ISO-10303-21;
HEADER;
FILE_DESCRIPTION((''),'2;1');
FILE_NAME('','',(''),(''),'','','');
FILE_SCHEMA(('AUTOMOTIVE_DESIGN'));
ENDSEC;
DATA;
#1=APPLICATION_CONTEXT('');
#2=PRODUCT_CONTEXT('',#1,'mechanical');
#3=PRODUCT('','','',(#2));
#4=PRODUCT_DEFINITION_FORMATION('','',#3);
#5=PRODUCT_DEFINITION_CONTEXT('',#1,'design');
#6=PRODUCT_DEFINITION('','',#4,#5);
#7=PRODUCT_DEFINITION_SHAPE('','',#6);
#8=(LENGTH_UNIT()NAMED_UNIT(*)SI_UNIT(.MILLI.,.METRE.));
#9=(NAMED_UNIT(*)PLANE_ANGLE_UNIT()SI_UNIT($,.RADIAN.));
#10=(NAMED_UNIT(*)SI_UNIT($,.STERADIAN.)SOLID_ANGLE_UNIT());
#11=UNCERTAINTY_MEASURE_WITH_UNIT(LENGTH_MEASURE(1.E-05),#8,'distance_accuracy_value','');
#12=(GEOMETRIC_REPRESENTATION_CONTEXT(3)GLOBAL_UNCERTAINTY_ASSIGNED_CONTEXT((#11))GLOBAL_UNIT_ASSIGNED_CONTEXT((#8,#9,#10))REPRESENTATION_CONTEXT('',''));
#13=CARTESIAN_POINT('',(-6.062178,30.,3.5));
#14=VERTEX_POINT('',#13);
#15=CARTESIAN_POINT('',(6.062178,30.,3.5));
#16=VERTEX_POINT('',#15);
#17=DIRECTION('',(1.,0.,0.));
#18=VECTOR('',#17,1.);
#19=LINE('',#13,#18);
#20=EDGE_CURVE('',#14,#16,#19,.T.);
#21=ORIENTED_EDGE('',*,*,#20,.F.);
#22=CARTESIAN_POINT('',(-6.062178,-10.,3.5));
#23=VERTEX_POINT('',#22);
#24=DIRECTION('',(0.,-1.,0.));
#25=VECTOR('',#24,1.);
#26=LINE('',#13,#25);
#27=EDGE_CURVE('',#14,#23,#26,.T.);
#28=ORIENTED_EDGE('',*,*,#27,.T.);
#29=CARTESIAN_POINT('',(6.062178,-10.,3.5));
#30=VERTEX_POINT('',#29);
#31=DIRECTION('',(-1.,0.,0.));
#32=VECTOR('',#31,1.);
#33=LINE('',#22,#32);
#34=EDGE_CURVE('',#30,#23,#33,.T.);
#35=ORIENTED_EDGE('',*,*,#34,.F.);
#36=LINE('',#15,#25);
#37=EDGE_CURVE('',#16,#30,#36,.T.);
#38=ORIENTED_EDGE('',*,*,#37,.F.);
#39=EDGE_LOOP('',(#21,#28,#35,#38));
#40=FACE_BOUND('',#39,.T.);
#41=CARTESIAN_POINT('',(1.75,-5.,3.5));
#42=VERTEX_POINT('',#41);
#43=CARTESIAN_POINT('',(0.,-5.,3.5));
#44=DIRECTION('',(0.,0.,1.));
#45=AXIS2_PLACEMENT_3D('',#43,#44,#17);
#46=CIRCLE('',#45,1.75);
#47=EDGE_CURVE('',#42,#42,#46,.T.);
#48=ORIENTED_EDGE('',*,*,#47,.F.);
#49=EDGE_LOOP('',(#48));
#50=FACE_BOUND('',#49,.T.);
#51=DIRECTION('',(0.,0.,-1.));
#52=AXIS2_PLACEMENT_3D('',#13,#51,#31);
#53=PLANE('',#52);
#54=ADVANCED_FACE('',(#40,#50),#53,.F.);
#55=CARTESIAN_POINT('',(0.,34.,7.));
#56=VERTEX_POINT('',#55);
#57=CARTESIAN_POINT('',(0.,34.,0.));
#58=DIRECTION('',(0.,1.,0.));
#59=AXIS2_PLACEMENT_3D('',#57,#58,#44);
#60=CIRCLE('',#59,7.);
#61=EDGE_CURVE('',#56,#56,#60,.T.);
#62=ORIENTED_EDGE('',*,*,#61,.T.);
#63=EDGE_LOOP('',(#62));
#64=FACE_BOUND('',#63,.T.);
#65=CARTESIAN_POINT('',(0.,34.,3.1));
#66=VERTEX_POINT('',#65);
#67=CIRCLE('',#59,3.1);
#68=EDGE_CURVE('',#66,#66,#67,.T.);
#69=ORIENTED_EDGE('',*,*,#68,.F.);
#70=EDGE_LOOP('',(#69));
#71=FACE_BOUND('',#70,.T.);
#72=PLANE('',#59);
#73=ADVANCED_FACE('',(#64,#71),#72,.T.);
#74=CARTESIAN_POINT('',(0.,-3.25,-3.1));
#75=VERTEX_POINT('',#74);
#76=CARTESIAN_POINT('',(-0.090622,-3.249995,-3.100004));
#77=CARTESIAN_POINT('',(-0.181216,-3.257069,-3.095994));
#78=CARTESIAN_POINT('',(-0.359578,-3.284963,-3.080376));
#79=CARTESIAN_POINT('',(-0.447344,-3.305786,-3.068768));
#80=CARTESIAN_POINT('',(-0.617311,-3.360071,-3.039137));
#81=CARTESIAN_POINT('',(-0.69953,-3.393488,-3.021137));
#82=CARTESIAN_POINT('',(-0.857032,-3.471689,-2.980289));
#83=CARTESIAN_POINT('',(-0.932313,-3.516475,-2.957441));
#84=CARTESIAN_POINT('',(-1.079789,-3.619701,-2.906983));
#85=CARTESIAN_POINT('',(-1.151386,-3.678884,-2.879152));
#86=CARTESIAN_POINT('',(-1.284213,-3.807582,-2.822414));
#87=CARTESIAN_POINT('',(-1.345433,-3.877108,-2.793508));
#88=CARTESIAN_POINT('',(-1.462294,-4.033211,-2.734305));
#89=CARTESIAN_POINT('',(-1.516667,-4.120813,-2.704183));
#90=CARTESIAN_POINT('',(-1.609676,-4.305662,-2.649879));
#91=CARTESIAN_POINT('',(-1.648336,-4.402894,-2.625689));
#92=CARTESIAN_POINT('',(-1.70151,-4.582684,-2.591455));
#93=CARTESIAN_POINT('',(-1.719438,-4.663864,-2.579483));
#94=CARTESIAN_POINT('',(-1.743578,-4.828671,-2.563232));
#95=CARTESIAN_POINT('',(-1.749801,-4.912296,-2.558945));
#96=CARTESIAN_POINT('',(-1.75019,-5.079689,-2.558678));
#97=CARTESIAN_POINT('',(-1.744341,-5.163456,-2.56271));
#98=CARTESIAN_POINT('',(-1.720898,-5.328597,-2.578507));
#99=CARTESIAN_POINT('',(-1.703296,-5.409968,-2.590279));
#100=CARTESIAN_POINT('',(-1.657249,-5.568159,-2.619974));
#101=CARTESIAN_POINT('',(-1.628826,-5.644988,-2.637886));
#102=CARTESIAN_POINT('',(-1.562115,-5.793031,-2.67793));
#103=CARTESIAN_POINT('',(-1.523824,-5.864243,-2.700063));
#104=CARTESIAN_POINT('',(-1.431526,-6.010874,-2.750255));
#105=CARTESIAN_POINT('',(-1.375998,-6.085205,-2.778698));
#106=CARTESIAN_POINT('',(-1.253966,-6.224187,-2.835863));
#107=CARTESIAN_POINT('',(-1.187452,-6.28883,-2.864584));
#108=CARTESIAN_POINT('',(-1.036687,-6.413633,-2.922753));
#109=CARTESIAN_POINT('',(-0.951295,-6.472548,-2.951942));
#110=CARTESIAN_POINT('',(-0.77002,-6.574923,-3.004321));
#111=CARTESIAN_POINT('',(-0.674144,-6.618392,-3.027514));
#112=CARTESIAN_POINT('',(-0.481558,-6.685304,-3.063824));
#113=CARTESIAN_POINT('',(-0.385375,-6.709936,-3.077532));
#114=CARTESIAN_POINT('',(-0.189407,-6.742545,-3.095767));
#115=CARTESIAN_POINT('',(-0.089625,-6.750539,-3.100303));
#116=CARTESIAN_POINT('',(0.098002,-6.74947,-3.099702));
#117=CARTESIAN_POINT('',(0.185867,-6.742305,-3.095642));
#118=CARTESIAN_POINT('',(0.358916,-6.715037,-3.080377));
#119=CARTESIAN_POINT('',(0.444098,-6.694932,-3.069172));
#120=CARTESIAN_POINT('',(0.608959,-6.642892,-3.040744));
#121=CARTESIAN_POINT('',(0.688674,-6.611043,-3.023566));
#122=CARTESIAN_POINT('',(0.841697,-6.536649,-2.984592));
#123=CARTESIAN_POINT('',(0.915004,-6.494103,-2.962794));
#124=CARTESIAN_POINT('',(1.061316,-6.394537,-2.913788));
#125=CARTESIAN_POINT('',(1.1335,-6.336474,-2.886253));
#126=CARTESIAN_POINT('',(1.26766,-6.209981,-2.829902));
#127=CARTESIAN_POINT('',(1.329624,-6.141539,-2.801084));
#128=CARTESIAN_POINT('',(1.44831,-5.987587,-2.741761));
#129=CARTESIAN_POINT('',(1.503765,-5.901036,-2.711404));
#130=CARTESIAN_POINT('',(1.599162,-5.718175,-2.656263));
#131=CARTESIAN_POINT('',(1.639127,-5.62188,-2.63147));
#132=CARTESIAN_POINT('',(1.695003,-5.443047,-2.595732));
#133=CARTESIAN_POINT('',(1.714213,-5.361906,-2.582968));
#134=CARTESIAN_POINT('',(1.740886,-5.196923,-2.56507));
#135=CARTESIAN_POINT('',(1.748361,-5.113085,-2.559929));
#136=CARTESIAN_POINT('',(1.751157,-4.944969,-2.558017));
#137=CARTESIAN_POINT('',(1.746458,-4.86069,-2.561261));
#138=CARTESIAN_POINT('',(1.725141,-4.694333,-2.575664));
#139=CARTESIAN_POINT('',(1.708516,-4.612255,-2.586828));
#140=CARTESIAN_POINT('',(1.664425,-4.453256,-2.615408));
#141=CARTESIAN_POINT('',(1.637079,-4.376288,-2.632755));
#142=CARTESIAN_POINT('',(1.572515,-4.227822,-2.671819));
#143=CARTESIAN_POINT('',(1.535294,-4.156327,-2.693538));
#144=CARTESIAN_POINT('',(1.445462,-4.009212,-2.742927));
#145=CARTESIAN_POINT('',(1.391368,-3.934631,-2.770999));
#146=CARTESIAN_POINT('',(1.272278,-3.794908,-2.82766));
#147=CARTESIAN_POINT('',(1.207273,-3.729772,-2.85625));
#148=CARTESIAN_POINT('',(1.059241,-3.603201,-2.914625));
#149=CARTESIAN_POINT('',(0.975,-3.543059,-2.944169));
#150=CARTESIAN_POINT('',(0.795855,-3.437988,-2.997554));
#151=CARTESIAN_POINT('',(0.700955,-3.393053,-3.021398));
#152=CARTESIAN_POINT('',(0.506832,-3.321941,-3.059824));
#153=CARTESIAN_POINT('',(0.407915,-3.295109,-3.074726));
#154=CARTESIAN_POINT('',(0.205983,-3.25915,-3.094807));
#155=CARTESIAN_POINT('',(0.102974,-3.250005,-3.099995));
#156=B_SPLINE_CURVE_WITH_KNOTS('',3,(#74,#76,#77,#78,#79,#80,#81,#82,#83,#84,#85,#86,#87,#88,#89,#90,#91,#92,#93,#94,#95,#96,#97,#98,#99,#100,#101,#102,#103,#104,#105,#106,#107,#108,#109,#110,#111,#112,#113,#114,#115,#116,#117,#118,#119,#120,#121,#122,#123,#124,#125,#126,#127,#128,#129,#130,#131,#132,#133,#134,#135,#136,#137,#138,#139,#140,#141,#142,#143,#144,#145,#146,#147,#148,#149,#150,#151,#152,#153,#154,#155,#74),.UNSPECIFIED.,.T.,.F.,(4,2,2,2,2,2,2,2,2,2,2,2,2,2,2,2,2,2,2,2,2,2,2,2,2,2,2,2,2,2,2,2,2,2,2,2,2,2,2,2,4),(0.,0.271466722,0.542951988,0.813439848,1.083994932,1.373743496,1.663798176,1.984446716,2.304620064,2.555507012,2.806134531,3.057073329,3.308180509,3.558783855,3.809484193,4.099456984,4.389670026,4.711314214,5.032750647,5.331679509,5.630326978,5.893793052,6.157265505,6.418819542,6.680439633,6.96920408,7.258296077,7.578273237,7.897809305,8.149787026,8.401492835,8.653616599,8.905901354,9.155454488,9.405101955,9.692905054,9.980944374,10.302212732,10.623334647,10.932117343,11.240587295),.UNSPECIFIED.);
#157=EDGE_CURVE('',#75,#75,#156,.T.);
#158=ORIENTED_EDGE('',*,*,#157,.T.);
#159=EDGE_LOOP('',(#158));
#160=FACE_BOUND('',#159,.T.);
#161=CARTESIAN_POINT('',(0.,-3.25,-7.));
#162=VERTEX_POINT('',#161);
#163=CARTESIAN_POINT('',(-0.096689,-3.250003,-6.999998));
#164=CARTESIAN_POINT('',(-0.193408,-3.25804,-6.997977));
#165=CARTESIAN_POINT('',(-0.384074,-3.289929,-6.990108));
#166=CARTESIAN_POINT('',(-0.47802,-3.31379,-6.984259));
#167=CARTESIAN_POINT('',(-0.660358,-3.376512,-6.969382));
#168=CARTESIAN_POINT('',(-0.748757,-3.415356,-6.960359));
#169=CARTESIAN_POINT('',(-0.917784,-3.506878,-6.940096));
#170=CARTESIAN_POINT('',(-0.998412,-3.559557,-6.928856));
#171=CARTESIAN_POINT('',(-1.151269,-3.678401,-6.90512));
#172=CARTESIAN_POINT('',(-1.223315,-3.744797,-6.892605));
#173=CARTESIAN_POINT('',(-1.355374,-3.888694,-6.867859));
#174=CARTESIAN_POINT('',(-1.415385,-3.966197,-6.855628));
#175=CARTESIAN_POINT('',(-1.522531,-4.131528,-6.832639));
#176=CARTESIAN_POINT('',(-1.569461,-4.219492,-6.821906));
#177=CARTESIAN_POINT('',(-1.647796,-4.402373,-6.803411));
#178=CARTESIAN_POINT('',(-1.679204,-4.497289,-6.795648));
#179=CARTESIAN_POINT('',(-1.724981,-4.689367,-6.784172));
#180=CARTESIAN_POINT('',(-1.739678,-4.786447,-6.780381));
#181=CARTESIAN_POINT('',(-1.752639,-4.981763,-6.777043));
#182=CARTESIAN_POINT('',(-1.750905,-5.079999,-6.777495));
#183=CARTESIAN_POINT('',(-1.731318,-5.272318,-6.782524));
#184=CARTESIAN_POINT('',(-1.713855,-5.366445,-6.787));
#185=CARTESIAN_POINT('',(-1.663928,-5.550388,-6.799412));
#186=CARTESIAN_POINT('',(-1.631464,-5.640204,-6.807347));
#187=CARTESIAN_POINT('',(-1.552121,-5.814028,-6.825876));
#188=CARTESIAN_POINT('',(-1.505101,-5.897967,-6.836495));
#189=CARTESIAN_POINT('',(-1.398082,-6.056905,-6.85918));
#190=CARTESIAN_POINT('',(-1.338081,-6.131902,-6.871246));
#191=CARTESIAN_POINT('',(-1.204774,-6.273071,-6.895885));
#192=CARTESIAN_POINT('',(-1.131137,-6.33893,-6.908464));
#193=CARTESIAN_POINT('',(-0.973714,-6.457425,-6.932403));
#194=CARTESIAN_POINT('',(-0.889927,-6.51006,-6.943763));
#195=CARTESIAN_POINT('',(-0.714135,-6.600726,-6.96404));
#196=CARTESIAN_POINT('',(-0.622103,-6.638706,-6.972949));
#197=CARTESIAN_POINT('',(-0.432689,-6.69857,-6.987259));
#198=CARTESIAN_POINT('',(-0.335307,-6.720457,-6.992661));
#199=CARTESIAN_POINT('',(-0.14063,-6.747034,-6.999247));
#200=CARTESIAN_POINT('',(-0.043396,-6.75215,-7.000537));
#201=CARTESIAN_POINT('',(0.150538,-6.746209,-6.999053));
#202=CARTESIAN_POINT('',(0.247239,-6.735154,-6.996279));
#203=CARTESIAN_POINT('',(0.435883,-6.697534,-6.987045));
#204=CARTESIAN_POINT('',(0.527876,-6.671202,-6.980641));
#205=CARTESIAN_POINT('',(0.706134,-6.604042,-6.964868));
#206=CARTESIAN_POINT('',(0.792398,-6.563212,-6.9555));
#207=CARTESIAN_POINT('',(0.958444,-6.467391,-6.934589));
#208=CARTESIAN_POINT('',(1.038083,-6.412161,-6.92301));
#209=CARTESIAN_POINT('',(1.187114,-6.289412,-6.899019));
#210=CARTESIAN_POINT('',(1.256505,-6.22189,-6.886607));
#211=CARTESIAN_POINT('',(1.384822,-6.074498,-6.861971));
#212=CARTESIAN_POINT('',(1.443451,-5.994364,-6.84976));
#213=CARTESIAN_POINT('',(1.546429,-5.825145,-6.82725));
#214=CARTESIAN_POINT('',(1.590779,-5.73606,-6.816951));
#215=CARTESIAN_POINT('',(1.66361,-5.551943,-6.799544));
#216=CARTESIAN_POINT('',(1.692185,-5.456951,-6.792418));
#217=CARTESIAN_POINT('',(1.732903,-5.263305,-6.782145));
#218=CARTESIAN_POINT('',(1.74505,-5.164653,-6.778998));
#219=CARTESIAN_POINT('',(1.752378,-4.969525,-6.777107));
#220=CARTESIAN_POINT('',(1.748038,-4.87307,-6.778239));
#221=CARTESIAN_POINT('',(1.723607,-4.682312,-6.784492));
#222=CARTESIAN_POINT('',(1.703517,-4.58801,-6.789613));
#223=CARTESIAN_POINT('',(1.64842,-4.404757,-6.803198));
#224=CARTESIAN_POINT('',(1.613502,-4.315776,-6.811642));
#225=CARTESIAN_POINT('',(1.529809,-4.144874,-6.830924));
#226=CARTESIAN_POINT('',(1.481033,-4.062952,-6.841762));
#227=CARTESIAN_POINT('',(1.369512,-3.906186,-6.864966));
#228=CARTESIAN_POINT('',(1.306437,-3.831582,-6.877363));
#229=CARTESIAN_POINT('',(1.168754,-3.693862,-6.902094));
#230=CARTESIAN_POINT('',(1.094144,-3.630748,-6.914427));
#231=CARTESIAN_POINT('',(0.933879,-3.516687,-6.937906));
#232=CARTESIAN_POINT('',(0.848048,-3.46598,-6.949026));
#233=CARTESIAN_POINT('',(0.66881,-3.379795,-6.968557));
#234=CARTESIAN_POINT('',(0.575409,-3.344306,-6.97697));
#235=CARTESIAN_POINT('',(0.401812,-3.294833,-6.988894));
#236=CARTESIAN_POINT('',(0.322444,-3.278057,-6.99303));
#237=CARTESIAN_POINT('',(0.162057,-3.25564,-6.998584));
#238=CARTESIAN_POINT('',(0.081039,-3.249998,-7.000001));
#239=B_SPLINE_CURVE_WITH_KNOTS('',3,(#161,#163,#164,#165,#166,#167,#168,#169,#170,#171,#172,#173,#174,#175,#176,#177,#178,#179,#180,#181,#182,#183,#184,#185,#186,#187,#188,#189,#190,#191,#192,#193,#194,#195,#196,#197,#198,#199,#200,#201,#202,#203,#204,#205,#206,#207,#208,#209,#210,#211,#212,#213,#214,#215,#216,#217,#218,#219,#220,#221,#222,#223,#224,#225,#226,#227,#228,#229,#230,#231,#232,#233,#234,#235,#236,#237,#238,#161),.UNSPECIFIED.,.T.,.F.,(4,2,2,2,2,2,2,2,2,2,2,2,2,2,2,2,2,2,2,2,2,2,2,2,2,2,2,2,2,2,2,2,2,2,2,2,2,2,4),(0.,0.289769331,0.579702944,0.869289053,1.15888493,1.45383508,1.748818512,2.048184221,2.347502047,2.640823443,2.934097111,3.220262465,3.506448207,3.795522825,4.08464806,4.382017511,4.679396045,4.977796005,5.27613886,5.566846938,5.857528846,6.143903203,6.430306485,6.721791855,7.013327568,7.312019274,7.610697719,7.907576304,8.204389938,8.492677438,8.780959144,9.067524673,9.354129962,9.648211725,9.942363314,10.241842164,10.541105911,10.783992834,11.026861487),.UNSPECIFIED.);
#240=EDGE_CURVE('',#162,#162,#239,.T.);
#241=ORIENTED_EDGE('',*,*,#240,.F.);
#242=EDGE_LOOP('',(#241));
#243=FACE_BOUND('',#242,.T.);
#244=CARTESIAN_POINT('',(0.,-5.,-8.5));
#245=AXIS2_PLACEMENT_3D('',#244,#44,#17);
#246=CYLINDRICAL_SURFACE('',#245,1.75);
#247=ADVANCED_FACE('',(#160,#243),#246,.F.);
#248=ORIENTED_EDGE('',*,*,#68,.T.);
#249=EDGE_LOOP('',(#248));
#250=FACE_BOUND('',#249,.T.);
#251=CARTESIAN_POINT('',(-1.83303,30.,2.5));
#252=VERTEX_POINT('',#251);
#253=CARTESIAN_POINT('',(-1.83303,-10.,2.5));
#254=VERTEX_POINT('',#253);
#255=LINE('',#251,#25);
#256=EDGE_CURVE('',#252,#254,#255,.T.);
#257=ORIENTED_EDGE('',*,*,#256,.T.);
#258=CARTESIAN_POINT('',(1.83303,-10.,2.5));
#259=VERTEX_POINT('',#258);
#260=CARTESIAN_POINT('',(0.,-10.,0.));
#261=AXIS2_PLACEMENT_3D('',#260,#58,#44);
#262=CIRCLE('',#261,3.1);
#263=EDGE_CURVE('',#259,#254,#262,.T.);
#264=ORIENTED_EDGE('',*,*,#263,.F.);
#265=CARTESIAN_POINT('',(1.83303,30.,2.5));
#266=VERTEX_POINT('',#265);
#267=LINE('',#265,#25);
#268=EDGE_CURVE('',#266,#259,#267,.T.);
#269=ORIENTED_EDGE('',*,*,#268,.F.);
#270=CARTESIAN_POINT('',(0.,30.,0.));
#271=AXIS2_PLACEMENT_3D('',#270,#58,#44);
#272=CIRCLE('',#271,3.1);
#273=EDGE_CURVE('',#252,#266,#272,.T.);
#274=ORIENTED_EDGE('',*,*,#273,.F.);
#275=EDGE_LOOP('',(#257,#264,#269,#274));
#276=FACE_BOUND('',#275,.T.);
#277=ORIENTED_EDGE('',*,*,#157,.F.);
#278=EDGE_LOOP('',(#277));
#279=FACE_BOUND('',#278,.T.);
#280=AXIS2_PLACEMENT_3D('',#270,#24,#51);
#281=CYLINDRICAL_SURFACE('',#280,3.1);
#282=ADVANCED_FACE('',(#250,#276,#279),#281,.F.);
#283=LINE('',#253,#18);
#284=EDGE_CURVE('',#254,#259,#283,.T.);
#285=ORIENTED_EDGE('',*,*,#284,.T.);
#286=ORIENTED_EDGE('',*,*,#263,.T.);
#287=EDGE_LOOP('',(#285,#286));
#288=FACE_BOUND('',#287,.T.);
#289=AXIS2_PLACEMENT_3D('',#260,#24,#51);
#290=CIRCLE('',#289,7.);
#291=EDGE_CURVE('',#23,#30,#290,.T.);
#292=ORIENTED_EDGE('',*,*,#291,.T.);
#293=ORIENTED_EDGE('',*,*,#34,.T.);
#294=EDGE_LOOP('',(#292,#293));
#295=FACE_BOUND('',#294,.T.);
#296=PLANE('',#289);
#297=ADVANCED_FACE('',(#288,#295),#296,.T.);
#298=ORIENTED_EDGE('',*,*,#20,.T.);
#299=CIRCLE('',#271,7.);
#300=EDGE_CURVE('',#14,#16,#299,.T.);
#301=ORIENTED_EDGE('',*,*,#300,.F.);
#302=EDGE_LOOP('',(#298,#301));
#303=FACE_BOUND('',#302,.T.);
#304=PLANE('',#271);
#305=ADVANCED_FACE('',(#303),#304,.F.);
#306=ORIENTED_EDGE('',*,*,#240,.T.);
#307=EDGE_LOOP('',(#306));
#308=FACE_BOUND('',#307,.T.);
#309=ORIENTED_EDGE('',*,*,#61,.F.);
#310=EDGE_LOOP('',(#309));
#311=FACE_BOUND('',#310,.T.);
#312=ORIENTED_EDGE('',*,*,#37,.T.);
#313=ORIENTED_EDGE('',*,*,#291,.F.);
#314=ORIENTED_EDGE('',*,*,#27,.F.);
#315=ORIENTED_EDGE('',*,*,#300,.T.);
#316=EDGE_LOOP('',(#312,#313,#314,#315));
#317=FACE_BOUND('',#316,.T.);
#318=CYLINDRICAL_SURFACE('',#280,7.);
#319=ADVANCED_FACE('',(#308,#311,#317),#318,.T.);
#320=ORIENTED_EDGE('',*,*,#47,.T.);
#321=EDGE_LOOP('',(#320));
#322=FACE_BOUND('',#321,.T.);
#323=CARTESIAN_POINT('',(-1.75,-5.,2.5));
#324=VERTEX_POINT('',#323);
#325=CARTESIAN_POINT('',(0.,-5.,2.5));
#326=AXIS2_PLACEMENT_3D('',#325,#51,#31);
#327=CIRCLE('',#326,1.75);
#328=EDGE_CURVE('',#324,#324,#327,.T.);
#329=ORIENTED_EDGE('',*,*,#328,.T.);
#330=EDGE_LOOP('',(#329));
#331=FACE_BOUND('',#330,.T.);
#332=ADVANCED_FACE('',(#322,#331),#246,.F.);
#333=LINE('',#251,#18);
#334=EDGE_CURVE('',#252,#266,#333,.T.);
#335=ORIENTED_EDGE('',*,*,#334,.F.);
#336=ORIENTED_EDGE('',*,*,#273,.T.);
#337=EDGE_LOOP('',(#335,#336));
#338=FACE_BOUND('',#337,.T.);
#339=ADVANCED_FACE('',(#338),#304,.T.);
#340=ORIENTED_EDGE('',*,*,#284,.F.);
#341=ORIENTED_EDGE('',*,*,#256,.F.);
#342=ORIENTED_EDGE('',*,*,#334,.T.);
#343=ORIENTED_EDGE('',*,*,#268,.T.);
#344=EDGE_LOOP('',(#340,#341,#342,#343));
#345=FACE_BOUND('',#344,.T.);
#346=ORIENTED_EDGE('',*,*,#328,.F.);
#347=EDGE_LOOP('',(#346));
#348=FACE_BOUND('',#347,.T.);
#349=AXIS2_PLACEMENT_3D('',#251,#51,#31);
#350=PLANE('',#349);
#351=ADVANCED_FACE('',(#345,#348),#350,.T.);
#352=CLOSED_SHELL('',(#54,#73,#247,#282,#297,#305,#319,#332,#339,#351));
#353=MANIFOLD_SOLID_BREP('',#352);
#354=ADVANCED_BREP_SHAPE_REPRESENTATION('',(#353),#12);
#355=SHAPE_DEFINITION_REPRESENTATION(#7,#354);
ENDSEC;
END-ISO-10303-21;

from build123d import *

# Parameters (mm, degrees)
Y_KSEKLIK_EKSTR_ZYON1_DEPTH = 30
IZIM2_R                     = 7
IZIM2_R_2                   = 3.1
Y_KSEKLIK_EKSTR_ZYON2_DEPTH = 4
Y_KSEKLIK_EKSTR_ZYON3_START = 10
Y_KSEKLIK_EKSTR_ZYON3_DEPTH = 10
KES_EKSTR_ZYON2_START       = -10
KES_EKSTR_ZYON2_DEPTH       = 10
IZIM7_R                     = 1.75
KES_EKSTR_ZYON3_DEPTH       = 12


with BuildPart() as part:
    # Çizim1 → Yükseklik-Ekstrüzyon1 (new body)
    with BuildSketch(Plane(origin=(0, 0, 0), x_dir=(1, 0, 0), z_dir=(0, 1, 0))):
        with BuildLine():
            Line((-6.062177826, -3.5), (6.062177826, -3.5))
            ThreePointArc((6.062177826, -3.5), (0, 7), (-6.062177826, -3.5))
        make_face()
        with BuildLine():
            Line((-1.833030278, -2.5), (1.833030278, -2.5))
            ThreePointArc((1.833030278, -2.5), (0, 3.1), (-1.833030278, -2.5))
        make_face(mode=Mode.SUBTRACT)
    extrude(amount=Y_KSEKLIK_EKSTR_ZYON1_DEPTH)

    # Çizim2 → Yükseklik-Ekstrüzyon2 (add)
    with BuildSketch(Plane(origin=(0, 30, 0), x_dir=(1, 0, 0), z_dir=(0, 1, 0))):
        with Locations(Location((0, 0, 0), (0, 0, 210))):
            Circle(IZIM2_R)
        with Locations(Location((0, 0, 0), (0, 0, 233.750679117))):
            Circle(IZIM2_R_2, mode=Mode.SUBTRACT)
    extrude(amount=Y_KSEKLIK_EKSTR_ZYON2_DEPTH)

    # Çizim3 → Yükseklik-Ekstrüzyon3 (add)
    with BuildSketch(Plane.XZ.offset(Y_KSEKLIK_EKSTR_ZYON3_START)):
        with BuildLine():
            Line((-6.062177826, 3.5), (6.062177826, 3.5))
            ThreePointArc((6.062177826, 3.5), (0, -7), (-6.062177826, 3.5))
        make_face()
    extrude(amount=-Y_KSEKLIK_EKSTR_ZYON3_DEPTH)

    # Çizim5 → Kes-Ekstrüzyon2 (cut)
    with BuildSketch(Plane(origin=(0, 0, 0), x_dir=(1, 0, 0), z_dir=(0, 1, 0)).offset(KES_EKSTR_ZYON2_START)):
        with BuildLine():
            Line((-1.833030278, -2.5), (1.833030278, -2.5))
            ThreePointArc((1.833030278, -2.5), (0, 3.1), (-1.833030278, -2.5))
        make_face()
    extrude(amount=KES_EKSTR_ZYON2_DEPTH, mode=Mode.SUBTRACT)

    # Çizim7 → Kes-Ekstrüzyon3 (cut)
    with BuildSketch(Plane.XY.offset(3.5)):
        with Locations((0, -5)):
            Circle(IZIM7_R)
    extrude(amount=-KES_EKSTR_ZYON3_DEPTH, mode=Mode.SUBTRACT)


solid = part.part
